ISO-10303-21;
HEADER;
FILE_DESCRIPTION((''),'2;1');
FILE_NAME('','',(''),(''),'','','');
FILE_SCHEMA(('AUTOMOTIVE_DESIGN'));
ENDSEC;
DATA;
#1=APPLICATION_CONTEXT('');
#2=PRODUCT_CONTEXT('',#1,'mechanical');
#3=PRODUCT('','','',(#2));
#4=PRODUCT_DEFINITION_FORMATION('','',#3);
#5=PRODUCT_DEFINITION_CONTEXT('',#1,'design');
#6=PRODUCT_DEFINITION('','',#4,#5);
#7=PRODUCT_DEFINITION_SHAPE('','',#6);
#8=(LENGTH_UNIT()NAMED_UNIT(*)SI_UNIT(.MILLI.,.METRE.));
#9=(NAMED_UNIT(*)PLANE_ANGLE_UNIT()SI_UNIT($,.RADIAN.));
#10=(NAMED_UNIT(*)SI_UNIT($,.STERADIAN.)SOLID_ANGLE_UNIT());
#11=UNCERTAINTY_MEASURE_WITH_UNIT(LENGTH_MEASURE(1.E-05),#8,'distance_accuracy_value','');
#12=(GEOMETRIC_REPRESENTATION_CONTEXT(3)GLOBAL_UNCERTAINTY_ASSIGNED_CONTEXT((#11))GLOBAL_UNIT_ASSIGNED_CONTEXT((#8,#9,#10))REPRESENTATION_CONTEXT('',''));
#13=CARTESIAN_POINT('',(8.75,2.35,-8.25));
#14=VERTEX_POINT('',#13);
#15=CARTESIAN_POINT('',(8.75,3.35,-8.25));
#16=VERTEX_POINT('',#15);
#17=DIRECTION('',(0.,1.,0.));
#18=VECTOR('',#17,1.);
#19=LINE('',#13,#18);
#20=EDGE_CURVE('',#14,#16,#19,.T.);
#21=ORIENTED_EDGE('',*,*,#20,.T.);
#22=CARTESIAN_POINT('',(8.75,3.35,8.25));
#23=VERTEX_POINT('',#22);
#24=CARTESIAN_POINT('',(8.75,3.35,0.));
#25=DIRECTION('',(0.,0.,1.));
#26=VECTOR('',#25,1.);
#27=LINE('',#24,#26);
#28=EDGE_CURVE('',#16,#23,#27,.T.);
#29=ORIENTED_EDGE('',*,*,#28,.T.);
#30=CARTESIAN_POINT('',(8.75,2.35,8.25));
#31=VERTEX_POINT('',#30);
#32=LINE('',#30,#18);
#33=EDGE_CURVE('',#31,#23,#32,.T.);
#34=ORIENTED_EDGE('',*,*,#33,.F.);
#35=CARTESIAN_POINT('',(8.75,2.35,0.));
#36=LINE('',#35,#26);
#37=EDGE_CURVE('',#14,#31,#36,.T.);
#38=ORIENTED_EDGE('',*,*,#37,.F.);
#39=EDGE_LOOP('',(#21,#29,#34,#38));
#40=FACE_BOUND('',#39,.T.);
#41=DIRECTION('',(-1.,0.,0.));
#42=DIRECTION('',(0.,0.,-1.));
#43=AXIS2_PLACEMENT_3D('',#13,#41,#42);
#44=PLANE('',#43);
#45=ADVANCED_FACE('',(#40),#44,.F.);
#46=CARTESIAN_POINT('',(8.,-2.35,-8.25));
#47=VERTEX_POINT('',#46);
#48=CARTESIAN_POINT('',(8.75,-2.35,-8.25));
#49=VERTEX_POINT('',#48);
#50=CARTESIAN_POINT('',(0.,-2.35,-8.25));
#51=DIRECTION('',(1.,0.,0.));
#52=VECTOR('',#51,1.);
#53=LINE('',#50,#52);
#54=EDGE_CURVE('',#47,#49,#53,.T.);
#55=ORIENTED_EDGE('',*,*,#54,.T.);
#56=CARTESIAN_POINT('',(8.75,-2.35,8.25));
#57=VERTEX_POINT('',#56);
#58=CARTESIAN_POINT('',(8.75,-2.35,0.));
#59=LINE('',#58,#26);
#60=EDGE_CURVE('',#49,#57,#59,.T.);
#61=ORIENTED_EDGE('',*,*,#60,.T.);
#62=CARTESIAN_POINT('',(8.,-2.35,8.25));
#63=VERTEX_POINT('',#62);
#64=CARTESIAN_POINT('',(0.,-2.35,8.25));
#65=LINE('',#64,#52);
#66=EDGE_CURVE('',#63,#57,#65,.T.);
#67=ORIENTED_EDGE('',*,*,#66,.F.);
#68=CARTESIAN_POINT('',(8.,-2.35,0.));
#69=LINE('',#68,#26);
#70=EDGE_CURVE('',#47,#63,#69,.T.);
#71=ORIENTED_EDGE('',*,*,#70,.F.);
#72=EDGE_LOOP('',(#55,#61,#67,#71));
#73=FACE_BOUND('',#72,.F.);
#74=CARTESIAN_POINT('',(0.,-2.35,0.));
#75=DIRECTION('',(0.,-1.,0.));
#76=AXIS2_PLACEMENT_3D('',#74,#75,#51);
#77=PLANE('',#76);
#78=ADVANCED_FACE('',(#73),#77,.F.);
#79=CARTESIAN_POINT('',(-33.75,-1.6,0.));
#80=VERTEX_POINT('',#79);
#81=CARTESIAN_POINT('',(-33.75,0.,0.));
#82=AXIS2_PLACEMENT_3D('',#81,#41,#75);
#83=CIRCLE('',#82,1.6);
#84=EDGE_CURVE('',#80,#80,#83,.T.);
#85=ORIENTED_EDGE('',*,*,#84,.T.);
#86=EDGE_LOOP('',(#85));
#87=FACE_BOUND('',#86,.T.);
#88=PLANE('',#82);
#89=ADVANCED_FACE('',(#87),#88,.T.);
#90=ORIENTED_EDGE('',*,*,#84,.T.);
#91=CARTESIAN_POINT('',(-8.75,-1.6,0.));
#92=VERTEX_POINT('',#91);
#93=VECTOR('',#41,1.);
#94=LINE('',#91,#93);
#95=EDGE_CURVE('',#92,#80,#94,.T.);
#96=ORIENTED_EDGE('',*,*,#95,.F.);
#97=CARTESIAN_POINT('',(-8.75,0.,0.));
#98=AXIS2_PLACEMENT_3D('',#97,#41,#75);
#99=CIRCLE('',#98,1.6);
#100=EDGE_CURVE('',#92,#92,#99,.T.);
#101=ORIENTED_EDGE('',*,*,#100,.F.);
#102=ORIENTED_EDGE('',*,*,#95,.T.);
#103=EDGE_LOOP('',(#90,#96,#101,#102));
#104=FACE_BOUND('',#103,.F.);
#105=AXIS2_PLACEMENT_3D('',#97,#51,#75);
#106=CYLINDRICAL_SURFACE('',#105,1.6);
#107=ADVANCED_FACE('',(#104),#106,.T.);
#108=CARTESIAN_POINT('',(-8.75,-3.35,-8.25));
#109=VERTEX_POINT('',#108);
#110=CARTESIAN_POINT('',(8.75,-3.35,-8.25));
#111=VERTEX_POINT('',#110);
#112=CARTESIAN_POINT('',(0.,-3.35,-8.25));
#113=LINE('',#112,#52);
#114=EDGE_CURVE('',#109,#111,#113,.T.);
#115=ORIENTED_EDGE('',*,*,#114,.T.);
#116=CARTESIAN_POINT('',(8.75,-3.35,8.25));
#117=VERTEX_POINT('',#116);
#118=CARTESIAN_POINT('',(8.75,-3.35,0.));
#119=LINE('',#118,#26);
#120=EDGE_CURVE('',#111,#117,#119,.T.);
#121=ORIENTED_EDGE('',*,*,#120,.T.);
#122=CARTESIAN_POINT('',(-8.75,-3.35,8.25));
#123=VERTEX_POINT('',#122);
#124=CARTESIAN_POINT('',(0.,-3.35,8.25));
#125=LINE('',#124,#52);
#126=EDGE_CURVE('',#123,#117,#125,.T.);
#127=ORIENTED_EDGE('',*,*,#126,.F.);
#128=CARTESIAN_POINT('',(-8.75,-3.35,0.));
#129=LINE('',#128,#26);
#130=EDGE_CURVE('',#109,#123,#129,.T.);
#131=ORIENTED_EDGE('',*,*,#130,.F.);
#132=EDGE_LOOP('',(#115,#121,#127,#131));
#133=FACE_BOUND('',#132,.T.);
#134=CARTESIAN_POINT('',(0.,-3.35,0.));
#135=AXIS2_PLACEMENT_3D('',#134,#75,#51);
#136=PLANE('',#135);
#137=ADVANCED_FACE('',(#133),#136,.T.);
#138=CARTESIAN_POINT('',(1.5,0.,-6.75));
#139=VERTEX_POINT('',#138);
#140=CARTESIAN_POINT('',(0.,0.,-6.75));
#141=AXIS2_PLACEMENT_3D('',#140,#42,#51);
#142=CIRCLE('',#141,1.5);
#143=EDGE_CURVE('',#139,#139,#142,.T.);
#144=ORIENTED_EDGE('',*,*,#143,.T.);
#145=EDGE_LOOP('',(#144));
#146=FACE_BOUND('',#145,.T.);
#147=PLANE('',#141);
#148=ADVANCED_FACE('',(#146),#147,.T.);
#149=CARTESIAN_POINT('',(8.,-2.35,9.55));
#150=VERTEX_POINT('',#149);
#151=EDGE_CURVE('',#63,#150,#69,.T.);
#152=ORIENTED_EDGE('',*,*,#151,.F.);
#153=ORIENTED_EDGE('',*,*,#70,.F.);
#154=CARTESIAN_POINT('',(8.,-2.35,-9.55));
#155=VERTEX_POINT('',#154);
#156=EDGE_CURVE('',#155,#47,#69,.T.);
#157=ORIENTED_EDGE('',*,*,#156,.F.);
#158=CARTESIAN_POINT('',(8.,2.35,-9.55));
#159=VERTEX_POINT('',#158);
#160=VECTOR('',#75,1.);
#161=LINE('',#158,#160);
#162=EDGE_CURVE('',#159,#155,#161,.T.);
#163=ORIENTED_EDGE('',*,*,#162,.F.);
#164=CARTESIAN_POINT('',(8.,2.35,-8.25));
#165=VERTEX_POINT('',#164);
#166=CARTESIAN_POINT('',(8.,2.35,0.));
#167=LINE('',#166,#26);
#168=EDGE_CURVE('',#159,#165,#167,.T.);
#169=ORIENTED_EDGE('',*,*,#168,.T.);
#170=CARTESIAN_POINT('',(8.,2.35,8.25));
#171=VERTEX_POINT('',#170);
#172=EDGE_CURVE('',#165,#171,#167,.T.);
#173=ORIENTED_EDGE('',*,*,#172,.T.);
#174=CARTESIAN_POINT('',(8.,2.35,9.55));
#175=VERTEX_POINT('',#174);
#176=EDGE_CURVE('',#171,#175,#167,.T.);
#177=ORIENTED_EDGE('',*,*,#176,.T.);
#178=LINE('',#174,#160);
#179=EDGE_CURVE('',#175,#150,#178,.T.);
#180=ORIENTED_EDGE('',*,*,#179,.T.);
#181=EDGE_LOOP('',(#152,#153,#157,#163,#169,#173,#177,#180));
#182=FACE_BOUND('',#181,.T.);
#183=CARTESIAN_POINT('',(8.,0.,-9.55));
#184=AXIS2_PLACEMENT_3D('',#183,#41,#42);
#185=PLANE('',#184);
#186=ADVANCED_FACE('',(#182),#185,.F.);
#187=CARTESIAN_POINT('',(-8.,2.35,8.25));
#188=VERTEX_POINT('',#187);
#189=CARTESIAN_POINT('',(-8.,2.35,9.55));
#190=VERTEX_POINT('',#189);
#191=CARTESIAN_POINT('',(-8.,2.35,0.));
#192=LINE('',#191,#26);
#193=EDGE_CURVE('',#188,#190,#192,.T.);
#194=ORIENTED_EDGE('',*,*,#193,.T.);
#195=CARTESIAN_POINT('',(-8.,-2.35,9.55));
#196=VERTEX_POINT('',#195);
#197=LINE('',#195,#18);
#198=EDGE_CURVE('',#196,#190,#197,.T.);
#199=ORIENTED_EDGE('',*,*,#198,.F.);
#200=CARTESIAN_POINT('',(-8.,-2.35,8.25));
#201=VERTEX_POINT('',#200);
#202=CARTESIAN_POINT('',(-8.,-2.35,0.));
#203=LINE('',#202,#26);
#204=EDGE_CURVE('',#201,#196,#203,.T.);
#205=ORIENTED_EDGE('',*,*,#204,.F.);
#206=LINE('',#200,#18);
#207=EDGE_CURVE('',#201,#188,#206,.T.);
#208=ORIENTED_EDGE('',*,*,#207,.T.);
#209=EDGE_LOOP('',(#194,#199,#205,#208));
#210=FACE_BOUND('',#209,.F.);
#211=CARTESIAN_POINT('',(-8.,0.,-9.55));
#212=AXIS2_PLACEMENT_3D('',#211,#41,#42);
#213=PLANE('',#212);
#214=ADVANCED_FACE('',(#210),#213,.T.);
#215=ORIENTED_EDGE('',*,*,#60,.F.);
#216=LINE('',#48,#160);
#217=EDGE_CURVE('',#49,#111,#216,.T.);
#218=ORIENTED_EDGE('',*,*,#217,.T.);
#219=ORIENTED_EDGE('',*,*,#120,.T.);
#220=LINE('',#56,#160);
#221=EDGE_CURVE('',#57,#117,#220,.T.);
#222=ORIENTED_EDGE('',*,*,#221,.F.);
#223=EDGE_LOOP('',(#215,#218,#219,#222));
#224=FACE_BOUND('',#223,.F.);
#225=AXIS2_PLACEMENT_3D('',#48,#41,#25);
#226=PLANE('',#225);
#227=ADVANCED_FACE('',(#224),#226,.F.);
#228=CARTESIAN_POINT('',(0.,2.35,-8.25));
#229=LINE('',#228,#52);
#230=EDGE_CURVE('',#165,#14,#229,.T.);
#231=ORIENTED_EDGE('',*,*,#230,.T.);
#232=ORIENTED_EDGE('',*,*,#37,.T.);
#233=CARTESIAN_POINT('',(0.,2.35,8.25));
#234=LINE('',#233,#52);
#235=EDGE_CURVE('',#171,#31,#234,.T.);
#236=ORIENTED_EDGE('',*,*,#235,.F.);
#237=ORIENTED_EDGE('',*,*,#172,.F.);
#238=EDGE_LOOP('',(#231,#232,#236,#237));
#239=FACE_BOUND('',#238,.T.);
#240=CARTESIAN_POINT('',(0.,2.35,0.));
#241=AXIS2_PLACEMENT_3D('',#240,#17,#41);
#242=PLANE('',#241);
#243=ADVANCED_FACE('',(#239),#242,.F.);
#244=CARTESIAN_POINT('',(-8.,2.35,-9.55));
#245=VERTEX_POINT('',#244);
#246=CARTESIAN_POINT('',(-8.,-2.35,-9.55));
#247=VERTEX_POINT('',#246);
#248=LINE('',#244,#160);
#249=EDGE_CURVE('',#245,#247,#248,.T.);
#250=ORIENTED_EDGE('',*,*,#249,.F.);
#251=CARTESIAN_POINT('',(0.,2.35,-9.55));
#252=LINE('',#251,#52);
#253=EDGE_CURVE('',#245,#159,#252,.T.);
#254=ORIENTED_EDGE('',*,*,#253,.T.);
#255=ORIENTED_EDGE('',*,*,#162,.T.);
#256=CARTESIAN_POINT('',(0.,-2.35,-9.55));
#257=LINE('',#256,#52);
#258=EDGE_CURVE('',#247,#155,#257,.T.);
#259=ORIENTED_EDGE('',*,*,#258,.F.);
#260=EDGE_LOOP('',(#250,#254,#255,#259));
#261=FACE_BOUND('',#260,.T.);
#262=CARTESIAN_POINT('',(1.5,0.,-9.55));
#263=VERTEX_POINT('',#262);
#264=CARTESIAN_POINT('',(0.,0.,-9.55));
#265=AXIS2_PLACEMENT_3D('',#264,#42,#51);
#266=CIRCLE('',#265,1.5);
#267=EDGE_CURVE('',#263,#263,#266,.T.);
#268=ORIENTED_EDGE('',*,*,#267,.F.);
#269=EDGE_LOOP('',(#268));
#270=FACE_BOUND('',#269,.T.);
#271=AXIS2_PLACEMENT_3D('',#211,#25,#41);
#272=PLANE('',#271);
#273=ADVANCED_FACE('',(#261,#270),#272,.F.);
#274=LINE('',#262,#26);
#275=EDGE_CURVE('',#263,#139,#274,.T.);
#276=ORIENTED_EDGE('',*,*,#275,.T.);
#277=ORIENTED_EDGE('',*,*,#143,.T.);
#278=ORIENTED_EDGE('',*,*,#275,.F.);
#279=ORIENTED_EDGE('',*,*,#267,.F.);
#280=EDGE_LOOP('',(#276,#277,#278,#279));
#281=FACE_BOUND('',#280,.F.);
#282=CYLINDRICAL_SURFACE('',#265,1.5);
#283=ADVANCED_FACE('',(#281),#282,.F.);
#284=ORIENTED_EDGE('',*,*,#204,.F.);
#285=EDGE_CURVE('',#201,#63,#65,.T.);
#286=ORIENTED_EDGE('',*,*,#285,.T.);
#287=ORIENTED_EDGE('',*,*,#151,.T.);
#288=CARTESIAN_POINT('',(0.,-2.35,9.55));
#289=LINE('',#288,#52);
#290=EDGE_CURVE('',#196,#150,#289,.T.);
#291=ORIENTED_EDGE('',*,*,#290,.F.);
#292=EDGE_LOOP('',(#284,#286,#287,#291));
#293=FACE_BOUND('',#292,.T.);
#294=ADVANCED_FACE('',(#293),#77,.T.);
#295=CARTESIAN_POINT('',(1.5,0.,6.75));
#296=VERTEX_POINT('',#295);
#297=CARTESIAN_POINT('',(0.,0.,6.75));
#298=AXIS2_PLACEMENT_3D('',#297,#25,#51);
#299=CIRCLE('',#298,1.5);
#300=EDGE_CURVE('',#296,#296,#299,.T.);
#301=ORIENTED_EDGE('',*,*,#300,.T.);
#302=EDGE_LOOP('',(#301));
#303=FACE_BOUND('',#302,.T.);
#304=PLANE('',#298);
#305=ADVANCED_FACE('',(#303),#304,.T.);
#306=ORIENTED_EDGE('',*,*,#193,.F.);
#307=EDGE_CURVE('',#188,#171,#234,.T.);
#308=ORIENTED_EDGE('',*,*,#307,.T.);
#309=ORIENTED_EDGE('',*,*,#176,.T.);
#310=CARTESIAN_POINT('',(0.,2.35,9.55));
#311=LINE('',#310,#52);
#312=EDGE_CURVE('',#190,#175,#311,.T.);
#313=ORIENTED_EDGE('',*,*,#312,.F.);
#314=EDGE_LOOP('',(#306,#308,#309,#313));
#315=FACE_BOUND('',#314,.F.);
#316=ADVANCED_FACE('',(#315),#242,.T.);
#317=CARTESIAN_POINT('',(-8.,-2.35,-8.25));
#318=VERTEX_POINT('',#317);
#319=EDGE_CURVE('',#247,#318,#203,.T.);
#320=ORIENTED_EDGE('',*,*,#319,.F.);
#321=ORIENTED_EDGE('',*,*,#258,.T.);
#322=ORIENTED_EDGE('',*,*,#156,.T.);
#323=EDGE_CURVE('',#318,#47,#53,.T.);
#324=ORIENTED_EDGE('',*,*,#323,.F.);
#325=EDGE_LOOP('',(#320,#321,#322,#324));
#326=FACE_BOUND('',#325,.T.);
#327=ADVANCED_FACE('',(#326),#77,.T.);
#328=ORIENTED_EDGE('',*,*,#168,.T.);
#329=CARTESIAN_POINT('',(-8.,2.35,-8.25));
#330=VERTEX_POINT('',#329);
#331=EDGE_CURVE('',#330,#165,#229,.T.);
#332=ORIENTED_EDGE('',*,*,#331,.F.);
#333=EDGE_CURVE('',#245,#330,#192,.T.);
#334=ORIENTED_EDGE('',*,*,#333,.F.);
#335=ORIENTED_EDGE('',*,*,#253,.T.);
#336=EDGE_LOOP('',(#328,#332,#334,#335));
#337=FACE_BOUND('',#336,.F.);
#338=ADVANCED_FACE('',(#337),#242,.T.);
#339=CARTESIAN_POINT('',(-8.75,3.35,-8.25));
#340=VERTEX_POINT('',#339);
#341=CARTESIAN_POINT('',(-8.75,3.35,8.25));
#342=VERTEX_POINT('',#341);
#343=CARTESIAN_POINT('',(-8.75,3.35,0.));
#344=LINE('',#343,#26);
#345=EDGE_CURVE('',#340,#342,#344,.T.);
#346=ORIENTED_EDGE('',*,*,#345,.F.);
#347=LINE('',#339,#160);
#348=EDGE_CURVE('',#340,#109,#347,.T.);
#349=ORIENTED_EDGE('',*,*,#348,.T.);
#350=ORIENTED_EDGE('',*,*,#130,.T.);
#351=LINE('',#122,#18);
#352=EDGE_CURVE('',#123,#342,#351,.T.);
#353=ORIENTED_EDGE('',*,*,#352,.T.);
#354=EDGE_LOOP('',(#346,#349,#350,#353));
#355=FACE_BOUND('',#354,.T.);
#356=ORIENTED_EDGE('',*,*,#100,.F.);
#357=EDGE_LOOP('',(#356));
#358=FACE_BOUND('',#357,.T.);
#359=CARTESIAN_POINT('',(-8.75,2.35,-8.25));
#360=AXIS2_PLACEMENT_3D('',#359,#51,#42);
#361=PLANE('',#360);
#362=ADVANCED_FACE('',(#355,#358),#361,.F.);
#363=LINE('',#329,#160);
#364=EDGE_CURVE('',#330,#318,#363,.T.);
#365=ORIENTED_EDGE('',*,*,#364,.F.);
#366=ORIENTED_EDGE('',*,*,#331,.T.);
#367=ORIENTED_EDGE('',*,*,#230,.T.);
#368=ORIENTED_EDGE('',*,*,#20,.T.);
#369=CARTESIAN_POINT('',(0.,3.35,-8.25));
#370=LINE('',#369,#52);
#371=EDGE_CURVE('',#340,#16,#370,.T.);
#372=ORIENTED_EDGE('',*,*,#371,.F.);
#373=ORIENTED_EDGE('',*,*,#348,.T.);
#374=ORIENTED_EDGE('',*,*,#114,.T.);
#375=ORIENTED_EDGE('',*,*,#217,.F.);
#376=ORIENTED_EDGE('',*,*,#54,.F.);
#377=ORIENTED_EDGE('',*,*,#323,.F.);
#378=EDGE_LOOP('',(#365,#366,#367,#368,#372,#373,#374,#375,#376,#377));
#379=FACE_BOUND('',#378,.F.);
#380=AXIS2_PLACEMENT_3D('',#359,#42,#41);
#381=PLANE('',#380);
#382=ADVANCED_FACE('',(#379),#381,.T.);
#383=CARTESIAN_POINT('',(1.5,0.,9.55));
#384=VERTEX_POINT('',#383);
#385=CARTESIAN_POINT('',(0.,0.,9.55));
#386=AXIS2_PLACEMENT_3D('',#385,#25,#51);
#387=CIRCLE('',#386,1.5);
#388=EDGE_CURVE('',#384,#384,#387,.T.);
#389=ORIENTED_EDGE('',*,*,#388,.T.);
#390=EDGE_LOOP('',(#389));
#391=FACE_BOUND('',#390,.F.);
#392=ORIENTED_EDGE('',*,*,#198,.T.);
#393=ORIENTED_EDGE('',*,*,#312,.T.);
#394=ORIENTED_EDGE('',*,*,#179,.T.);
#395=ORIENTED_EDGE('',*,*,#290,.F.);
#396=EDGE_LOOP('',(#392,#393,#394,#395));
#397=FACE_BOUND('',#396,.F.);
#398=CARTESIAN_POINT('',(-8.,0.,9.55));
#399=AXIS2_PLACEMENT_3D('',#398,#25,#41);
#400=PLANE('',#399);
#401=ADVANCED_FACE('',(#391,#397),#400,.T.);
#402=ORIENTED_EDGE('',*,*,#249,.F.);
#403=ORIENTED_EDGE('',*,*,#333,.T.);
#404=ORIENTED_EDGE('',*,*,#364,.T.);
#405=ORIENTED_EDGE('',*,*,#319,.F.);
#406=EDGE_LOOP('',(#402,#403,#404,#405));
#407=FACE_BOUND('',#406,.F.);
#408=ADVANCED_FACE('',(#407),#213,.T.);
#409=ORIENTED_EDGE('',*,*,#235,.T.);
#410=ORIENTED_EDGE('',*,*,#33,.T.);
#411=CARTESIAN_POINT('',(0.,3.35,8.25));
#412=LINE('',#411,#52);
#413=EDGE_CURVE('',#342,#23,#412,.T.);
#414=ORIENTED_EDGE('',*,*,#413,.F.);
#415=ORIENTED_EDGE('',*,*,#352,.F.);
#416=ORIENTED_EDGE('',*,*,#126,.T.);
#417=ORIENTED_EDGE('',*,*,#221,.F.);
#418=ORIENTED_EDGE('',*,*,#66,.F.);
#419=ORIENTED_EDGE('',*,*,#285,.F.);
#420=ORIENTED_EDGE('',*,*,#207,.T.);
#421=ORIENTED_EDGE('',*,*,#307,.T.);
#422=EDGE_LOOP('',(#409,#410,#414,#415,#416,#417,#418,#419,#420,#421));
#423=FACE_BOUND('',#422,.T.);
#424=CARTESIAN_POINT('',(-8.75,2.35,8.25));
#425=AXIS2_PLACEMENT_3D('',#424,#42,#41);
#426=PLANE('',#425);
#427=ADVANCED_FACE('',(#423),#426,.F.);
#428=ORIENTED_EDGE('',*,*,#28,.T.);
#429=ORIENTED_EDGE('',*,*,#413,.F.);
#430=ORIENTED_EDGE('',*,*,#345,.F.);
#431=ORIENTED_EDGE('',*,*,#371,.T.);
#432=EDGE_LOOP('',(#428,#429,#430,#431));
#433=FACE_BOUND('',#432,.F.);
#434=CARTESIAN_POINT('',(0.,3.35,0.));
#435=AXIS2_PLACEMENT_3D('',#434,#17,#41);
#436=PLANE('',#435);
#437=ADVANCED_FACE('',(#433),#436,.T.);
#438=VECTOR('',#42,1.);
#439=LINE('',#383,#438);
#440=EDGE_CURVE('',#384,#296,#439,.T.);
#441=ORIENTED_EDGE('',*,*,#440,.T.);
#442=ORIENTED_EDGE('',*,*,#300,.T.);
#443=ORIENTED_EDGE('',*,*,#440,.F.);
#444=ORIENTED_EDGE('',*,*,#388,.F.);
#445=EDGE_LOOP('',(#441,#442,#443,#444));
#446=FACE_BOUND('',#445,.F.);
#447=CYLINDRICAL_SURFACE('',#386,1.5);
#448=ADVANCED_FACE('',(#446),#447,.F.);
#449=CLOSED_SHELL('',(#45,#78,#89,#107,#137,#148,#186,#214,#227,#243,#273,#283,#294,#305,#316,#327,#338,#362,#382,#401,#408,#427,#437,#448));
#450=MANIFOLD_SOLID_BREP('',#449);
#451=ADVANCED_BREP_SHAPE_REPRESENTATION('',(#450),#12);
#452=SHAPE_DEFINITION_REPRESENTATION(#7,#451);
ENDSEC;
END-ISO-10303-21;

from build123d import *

# Parameters (mm, degrees)
F0_W      = 16
F0_H      = 19.1
F1_DEPTH  = 2.35
F2_W      = 17.5
F2_H      = 16.5
F3_DEPTH  = 1
F4_DEPTH  = 2.35
F6_R      = 1.6
F7_DEPTH  = 25
F8_R      = 1.5
F9_DEPTH  = 2.8
F10_R     = 1.5
F11_DEPTH = 2.8


with BuildPart() as f1:
    # F0 (on Front) → F1 (new body)
    with BuildSketch(Plane.XZ):
        Rectangle(F0_W, F0_H)
    extrude(amount=F1_DEPTH)

    # F2 (on face) → F3 (join)
    with BuildSketch(Plane.XZ.offset(2.35)):
        Rectangle(F2_W, F2_H)
    extrude(amount=F3_DEPTH)

    # F4 (add, through all): a face of the model
    f4_faces = [f1.faces().sort_by_distance(p)[0] for p in [
        (-8.375, -2.35, 0),
    ]]
    extrude(f4_faces, amount=F4_DEPTH)

    # F5: F1 across plane


with BuildPart() as f1_1:
    add(f1.part)
    add(f1.part.mirror(Plane.XZ))

    # F6 (on face) → F7 (join)
    with BuildSketch(Plane(origin=(-8.75, 0, 0), x_dir=(0, -1, 0), z_dir=(-1, 0, 0))):
        Circle(F6_R)
    extrude(amount=F7_DEPTH)

    # F8 (on face) → F9 (cut)
    with BuildSketch(Plane.XY.offset(9.55)):
        Circle(F8_R)
    extrude(amount=-F9_DEPTH, mode=Mode.SUBTRACT)

    # F10 (on face) → F11 (cut)
    with BuildSketch(Plane(origin=(0, 0, -9.55), x_dir=(1, 0, 0), z_dir=(0, 0, -1))):
        Circle(F10_R)
    extrude(amount=-F11_DEPTH, mode=Mode.SUBTRACT)


solid = f1_1.part
